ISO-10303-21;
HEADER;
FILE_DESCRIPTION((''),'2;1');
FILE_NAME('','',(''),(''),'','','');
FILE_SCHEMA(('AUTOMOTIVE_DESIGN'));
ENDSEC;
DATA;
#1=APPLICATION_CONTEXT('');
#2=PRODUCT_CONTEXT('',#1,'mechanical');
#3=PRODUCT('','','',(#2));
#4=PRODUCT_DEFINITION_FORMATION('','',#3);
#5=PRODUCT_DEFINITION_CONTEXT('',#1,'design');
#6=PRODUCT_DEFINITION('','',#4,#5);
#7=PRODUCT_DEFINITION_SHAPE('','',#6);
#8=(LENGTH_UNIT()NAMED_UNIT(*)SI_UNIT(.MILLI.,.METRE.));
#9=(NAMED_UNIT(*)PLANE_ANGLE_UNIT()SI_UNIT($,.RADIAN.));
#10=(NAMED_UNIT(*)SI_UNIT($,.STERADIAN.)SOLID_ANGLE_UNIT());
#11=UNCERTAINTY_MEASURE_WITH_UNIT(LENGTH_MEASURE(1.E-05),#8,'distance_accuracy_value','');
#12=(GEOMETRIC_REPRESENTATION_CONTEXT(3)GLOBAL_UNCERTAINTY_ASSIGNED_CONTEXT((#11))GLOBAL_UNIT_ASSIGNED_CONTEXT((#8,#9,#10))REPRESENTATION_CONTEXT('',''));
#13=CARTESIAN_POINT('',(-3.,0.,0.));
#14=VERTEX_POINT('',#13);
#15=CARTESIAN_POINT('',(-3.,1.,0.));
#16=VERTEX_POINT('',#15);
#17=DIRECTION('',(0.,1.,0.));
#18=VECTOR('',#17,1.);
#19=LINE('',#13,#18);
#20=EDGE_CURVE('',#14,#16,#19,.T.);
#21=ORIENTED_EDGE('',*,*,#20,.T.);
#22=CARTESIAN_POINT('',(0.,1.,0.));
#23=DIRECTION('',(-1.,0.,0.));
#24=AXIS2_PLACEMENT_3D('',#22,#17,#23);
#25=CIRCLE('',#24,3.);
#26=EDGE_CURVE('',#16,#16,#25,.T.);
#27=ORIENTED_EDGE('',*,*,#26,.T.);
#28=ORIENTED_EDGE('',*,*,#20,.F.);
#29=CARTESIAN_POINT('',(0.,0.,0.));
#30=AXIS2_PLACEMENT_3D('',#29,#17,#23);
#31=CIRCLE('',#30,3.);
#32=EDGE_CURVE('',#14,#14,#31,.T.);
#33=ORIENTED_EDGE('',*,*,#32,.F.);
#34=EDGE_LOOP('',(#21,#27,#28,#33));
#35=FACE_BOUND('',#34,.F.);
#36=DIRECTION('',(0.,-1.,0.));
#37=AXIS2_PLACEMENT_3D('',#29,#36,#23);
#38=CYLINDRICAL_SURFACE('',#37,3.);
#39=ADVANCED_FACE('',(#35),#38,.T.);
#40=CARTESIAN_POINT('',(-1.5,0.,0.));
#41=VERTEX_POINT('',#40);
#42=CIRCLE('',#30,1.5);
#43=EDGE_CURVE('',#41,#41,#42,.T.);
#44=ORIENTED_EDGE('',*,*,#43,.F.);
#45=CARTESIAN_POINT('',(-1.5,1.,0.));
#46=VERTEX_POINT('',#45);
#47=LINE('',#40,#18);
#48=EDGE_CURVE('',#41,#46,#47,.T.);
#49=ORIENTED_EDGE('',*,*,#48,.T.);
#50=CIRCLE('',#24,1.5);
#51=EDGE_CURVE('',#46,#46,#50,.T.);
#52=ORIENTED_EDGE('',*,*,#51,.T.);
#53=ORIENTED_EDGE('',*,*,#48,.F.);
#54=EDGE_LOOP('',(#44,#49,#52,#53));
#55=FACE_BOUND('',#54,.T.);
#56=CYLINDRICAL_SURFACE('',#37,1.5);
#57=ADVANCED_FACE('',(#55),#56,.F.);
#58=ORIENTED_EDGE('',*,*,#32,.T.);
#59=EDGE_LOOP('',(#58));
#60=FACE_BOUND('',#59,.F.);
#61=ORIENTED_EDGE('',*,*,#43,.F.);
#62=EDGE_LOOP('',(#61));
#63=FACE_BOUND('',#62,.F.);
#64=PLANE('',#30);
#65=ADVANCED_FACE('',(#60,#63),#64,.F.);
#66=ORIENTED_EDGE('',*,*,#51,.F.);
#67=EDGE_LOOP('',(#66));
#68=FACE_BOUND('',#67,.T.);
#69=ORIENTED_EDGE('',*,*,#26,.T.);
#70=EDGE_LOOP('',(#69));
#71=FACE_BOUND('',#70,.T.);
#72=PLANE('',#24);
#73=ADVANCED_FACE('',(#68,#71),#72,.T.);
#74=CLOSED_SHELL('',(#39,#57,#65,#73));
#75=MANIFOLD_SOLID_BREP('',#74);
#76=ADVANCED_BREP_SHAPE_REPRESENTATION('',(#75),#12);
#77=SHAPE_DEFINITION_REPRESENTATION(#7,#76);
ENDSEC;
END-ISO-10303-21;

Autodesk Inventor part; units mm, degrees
ref_plane "YZ Plane" through (0, 0, 0) normal (1, 0, 0) x (0, 1, 0)
ref_plane "XZ Plane" through (0, 0, 0) normal (0, 1, 0) x (-1, 0, 0)
ref_plane "XY Plane" through (0, 0, 0) normal (0, 0, 1) x (1, 0, 0)
sketch "Esquisse1" plane through (0, 0, 0) normal (0, 1, 0) x (-1, 0, 0)
  circle A0 centre (0, 0) radius 1.5
  circle A1 centre (0, 0) radius 3
  dimension "d0" = 3
  dimension "d1" = 6
extrude "Extrusion1" add sketch "Esquisse1" along normal blind 1
properties part number "spacer"
